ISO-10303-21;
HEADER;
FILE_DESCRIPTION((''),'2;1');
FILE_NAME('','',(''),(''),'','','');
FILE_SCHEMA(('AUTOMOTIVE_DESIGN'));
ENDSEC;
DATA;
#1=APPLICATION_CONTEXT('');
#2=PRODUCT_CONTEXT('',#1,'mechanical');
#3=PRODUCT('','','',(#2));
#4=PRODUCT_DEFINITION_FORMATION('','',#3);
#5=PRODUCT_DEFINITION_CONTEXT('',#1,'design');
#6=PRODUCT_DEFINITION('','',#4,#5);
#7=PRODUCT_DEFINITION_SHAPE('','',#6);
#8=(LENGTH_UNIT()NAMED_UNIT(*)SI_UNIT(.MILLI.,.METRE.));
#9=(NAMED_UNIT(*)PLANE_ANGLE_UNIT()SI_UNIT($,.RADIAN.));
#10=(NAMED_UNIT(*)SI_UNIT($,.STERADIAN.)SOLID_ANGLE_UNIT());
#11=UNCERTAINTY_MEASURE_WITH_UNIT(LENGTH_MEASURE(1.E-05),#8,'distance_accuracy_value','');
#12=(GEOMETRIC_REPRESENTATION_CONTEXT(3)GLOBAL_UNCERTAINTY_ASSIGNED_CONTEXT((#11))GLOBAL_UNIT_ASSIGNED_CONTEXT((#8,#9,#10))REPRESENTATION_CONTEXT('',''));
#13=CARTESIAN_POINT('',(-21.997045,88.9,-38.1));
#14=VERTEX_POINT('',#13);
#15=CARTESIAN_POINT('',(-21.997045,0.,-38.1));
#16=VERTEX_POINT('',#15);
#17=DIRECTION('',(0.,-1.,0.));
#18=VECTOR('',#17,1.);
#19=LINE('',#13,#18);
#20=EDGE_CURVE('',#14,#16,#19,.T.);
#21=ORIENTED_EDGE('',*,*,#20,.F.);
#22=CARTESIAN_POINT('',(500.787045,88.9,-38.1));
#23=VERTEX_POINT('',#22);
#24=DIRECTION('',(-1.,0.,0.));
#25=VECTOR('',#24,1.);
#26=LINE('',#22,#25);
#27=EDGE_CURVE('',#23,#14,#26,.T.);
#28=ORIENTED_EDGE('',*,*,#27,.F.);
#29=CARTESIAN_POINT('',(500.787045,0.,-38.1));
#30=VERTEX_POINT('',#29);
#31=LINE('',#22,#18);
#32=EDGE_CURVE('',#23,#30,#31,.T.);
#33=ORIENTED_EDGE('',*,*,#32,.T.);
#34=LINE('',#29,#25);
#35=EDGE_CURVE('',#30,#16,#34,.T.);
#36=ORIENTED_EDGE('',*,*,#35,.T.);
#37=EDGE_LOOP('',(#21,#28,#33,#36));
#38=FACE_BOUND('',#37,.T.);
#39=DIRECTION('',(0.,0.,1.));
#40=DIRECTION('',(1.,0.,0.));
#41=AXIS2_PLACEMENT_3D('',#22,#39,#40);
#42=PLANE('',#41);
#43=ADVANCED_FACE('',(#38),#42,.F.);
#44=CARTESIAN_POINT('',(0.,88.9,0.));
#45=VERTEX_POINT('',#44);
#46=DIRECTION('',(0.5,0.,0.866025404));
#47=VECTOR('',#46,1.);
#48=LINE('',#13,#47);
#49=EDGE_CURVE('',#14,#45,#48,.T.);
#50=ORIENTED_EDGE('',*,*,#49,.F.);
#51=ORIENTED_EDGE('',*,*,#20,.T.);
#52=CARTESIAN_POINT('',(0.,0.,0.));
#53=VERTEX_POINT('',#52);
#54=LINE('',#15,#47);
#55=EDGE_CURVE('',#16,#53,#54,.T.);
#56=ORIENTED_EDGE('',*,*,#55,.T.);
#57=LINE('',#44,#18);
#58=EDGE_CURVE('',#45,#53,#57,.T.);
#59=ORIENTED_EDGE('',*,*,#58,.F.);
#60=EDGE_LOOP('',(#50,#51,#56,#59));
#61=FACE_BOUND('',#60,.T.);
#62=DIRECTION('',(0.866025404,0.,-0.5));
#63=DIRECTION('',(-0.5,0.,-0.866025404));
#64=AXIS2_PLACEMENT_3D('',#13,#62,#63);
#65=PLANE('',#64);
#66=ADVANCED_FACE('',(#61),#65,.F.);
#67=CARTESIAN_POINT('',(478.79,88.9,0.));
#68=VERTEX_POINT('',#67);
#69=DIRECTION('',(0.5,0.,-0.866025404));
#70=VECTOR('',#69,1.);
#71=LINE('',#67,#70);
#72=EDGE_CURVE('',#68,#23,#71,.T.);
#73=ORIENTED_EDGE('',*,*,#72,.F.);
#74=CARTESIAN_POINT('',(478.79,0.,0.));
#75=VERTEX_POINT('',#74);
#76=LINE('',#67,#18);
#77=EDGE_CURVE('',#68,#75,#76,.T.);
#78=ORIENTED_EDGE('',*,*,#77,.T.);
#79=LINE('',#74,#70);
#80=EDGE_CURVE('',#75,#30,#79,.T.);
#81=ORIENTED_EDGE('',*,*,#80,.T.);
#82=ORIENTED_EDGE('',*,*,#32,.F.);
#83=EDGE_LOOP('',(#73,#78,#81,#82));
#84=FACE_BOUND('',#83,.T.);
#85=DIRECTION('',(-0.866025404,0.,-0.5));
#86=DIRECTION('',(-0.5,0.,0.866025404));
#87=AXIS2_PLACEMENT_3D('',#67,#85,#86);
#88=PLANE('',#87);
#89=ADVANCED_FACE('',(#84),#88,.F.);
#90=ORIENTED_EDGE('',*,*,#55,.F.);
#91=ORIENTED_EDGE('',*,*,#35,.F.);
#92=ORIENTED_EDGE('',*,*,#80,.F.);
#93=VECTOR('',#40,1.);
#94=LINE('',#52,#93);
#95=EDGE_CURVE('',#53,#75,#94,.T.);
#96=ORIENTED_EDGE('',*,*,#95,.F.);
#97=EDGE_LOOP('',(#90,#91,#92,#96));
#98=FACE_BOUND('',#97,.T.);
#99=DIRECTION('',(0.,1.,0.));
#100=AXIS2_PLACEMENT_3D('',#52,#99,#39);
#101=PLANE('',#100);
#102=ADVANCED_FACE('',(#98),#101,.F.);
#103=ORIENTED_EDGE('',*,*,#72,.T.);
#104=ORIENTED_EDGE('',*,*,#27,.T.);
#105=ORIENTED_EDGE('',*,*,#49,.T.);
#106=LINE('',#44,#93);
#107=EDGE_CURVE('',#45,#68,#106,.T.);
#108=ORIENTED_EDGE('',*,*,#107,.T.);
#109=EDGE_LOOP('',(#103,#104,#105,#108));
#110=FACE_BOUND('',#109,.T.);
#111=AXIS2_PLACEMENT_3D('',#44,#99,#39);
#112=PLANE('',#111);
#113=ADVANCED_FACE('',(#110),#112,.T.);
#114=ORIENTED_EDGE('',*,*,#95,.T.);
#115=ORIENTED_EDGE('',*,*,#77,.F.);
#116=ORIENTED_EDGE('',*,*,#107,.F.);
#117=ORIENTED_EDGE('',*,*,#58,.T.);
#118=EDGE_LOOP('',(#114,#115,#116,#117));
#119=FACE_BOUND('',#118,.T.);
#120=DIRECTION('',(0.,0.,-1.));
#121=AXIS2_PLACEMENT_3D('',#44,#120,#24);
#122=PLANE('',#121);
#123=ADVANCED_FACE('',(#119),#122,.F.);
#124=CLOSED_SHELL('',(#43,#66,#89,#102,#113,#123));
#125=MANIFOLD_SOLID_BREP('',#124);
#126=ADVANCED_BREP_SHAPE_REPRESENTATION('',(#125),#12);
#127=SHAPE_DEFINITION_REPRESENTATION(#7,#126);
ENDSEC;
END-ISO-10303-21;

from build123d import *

# Parameters (mm, degrees)
BOSS_EXTRUDE1_DEPTH = 88.9


with BuildPart() as part:
    # Sketch1 → Boss-Extrude1 (new body)
    with BuildSketch(Plane(origin=(0, 0, 0), x_dir=(1, 0, 0), z_dir=(0, 1, 0))):
        Polygon((0, 0), (478.79, 0), (500.787045256, 38.1), (-21.997045256, 38.1), align=None)
    extrude(amount=BOSS_EXTRUDE1_DEPTH)


solid = part.part
